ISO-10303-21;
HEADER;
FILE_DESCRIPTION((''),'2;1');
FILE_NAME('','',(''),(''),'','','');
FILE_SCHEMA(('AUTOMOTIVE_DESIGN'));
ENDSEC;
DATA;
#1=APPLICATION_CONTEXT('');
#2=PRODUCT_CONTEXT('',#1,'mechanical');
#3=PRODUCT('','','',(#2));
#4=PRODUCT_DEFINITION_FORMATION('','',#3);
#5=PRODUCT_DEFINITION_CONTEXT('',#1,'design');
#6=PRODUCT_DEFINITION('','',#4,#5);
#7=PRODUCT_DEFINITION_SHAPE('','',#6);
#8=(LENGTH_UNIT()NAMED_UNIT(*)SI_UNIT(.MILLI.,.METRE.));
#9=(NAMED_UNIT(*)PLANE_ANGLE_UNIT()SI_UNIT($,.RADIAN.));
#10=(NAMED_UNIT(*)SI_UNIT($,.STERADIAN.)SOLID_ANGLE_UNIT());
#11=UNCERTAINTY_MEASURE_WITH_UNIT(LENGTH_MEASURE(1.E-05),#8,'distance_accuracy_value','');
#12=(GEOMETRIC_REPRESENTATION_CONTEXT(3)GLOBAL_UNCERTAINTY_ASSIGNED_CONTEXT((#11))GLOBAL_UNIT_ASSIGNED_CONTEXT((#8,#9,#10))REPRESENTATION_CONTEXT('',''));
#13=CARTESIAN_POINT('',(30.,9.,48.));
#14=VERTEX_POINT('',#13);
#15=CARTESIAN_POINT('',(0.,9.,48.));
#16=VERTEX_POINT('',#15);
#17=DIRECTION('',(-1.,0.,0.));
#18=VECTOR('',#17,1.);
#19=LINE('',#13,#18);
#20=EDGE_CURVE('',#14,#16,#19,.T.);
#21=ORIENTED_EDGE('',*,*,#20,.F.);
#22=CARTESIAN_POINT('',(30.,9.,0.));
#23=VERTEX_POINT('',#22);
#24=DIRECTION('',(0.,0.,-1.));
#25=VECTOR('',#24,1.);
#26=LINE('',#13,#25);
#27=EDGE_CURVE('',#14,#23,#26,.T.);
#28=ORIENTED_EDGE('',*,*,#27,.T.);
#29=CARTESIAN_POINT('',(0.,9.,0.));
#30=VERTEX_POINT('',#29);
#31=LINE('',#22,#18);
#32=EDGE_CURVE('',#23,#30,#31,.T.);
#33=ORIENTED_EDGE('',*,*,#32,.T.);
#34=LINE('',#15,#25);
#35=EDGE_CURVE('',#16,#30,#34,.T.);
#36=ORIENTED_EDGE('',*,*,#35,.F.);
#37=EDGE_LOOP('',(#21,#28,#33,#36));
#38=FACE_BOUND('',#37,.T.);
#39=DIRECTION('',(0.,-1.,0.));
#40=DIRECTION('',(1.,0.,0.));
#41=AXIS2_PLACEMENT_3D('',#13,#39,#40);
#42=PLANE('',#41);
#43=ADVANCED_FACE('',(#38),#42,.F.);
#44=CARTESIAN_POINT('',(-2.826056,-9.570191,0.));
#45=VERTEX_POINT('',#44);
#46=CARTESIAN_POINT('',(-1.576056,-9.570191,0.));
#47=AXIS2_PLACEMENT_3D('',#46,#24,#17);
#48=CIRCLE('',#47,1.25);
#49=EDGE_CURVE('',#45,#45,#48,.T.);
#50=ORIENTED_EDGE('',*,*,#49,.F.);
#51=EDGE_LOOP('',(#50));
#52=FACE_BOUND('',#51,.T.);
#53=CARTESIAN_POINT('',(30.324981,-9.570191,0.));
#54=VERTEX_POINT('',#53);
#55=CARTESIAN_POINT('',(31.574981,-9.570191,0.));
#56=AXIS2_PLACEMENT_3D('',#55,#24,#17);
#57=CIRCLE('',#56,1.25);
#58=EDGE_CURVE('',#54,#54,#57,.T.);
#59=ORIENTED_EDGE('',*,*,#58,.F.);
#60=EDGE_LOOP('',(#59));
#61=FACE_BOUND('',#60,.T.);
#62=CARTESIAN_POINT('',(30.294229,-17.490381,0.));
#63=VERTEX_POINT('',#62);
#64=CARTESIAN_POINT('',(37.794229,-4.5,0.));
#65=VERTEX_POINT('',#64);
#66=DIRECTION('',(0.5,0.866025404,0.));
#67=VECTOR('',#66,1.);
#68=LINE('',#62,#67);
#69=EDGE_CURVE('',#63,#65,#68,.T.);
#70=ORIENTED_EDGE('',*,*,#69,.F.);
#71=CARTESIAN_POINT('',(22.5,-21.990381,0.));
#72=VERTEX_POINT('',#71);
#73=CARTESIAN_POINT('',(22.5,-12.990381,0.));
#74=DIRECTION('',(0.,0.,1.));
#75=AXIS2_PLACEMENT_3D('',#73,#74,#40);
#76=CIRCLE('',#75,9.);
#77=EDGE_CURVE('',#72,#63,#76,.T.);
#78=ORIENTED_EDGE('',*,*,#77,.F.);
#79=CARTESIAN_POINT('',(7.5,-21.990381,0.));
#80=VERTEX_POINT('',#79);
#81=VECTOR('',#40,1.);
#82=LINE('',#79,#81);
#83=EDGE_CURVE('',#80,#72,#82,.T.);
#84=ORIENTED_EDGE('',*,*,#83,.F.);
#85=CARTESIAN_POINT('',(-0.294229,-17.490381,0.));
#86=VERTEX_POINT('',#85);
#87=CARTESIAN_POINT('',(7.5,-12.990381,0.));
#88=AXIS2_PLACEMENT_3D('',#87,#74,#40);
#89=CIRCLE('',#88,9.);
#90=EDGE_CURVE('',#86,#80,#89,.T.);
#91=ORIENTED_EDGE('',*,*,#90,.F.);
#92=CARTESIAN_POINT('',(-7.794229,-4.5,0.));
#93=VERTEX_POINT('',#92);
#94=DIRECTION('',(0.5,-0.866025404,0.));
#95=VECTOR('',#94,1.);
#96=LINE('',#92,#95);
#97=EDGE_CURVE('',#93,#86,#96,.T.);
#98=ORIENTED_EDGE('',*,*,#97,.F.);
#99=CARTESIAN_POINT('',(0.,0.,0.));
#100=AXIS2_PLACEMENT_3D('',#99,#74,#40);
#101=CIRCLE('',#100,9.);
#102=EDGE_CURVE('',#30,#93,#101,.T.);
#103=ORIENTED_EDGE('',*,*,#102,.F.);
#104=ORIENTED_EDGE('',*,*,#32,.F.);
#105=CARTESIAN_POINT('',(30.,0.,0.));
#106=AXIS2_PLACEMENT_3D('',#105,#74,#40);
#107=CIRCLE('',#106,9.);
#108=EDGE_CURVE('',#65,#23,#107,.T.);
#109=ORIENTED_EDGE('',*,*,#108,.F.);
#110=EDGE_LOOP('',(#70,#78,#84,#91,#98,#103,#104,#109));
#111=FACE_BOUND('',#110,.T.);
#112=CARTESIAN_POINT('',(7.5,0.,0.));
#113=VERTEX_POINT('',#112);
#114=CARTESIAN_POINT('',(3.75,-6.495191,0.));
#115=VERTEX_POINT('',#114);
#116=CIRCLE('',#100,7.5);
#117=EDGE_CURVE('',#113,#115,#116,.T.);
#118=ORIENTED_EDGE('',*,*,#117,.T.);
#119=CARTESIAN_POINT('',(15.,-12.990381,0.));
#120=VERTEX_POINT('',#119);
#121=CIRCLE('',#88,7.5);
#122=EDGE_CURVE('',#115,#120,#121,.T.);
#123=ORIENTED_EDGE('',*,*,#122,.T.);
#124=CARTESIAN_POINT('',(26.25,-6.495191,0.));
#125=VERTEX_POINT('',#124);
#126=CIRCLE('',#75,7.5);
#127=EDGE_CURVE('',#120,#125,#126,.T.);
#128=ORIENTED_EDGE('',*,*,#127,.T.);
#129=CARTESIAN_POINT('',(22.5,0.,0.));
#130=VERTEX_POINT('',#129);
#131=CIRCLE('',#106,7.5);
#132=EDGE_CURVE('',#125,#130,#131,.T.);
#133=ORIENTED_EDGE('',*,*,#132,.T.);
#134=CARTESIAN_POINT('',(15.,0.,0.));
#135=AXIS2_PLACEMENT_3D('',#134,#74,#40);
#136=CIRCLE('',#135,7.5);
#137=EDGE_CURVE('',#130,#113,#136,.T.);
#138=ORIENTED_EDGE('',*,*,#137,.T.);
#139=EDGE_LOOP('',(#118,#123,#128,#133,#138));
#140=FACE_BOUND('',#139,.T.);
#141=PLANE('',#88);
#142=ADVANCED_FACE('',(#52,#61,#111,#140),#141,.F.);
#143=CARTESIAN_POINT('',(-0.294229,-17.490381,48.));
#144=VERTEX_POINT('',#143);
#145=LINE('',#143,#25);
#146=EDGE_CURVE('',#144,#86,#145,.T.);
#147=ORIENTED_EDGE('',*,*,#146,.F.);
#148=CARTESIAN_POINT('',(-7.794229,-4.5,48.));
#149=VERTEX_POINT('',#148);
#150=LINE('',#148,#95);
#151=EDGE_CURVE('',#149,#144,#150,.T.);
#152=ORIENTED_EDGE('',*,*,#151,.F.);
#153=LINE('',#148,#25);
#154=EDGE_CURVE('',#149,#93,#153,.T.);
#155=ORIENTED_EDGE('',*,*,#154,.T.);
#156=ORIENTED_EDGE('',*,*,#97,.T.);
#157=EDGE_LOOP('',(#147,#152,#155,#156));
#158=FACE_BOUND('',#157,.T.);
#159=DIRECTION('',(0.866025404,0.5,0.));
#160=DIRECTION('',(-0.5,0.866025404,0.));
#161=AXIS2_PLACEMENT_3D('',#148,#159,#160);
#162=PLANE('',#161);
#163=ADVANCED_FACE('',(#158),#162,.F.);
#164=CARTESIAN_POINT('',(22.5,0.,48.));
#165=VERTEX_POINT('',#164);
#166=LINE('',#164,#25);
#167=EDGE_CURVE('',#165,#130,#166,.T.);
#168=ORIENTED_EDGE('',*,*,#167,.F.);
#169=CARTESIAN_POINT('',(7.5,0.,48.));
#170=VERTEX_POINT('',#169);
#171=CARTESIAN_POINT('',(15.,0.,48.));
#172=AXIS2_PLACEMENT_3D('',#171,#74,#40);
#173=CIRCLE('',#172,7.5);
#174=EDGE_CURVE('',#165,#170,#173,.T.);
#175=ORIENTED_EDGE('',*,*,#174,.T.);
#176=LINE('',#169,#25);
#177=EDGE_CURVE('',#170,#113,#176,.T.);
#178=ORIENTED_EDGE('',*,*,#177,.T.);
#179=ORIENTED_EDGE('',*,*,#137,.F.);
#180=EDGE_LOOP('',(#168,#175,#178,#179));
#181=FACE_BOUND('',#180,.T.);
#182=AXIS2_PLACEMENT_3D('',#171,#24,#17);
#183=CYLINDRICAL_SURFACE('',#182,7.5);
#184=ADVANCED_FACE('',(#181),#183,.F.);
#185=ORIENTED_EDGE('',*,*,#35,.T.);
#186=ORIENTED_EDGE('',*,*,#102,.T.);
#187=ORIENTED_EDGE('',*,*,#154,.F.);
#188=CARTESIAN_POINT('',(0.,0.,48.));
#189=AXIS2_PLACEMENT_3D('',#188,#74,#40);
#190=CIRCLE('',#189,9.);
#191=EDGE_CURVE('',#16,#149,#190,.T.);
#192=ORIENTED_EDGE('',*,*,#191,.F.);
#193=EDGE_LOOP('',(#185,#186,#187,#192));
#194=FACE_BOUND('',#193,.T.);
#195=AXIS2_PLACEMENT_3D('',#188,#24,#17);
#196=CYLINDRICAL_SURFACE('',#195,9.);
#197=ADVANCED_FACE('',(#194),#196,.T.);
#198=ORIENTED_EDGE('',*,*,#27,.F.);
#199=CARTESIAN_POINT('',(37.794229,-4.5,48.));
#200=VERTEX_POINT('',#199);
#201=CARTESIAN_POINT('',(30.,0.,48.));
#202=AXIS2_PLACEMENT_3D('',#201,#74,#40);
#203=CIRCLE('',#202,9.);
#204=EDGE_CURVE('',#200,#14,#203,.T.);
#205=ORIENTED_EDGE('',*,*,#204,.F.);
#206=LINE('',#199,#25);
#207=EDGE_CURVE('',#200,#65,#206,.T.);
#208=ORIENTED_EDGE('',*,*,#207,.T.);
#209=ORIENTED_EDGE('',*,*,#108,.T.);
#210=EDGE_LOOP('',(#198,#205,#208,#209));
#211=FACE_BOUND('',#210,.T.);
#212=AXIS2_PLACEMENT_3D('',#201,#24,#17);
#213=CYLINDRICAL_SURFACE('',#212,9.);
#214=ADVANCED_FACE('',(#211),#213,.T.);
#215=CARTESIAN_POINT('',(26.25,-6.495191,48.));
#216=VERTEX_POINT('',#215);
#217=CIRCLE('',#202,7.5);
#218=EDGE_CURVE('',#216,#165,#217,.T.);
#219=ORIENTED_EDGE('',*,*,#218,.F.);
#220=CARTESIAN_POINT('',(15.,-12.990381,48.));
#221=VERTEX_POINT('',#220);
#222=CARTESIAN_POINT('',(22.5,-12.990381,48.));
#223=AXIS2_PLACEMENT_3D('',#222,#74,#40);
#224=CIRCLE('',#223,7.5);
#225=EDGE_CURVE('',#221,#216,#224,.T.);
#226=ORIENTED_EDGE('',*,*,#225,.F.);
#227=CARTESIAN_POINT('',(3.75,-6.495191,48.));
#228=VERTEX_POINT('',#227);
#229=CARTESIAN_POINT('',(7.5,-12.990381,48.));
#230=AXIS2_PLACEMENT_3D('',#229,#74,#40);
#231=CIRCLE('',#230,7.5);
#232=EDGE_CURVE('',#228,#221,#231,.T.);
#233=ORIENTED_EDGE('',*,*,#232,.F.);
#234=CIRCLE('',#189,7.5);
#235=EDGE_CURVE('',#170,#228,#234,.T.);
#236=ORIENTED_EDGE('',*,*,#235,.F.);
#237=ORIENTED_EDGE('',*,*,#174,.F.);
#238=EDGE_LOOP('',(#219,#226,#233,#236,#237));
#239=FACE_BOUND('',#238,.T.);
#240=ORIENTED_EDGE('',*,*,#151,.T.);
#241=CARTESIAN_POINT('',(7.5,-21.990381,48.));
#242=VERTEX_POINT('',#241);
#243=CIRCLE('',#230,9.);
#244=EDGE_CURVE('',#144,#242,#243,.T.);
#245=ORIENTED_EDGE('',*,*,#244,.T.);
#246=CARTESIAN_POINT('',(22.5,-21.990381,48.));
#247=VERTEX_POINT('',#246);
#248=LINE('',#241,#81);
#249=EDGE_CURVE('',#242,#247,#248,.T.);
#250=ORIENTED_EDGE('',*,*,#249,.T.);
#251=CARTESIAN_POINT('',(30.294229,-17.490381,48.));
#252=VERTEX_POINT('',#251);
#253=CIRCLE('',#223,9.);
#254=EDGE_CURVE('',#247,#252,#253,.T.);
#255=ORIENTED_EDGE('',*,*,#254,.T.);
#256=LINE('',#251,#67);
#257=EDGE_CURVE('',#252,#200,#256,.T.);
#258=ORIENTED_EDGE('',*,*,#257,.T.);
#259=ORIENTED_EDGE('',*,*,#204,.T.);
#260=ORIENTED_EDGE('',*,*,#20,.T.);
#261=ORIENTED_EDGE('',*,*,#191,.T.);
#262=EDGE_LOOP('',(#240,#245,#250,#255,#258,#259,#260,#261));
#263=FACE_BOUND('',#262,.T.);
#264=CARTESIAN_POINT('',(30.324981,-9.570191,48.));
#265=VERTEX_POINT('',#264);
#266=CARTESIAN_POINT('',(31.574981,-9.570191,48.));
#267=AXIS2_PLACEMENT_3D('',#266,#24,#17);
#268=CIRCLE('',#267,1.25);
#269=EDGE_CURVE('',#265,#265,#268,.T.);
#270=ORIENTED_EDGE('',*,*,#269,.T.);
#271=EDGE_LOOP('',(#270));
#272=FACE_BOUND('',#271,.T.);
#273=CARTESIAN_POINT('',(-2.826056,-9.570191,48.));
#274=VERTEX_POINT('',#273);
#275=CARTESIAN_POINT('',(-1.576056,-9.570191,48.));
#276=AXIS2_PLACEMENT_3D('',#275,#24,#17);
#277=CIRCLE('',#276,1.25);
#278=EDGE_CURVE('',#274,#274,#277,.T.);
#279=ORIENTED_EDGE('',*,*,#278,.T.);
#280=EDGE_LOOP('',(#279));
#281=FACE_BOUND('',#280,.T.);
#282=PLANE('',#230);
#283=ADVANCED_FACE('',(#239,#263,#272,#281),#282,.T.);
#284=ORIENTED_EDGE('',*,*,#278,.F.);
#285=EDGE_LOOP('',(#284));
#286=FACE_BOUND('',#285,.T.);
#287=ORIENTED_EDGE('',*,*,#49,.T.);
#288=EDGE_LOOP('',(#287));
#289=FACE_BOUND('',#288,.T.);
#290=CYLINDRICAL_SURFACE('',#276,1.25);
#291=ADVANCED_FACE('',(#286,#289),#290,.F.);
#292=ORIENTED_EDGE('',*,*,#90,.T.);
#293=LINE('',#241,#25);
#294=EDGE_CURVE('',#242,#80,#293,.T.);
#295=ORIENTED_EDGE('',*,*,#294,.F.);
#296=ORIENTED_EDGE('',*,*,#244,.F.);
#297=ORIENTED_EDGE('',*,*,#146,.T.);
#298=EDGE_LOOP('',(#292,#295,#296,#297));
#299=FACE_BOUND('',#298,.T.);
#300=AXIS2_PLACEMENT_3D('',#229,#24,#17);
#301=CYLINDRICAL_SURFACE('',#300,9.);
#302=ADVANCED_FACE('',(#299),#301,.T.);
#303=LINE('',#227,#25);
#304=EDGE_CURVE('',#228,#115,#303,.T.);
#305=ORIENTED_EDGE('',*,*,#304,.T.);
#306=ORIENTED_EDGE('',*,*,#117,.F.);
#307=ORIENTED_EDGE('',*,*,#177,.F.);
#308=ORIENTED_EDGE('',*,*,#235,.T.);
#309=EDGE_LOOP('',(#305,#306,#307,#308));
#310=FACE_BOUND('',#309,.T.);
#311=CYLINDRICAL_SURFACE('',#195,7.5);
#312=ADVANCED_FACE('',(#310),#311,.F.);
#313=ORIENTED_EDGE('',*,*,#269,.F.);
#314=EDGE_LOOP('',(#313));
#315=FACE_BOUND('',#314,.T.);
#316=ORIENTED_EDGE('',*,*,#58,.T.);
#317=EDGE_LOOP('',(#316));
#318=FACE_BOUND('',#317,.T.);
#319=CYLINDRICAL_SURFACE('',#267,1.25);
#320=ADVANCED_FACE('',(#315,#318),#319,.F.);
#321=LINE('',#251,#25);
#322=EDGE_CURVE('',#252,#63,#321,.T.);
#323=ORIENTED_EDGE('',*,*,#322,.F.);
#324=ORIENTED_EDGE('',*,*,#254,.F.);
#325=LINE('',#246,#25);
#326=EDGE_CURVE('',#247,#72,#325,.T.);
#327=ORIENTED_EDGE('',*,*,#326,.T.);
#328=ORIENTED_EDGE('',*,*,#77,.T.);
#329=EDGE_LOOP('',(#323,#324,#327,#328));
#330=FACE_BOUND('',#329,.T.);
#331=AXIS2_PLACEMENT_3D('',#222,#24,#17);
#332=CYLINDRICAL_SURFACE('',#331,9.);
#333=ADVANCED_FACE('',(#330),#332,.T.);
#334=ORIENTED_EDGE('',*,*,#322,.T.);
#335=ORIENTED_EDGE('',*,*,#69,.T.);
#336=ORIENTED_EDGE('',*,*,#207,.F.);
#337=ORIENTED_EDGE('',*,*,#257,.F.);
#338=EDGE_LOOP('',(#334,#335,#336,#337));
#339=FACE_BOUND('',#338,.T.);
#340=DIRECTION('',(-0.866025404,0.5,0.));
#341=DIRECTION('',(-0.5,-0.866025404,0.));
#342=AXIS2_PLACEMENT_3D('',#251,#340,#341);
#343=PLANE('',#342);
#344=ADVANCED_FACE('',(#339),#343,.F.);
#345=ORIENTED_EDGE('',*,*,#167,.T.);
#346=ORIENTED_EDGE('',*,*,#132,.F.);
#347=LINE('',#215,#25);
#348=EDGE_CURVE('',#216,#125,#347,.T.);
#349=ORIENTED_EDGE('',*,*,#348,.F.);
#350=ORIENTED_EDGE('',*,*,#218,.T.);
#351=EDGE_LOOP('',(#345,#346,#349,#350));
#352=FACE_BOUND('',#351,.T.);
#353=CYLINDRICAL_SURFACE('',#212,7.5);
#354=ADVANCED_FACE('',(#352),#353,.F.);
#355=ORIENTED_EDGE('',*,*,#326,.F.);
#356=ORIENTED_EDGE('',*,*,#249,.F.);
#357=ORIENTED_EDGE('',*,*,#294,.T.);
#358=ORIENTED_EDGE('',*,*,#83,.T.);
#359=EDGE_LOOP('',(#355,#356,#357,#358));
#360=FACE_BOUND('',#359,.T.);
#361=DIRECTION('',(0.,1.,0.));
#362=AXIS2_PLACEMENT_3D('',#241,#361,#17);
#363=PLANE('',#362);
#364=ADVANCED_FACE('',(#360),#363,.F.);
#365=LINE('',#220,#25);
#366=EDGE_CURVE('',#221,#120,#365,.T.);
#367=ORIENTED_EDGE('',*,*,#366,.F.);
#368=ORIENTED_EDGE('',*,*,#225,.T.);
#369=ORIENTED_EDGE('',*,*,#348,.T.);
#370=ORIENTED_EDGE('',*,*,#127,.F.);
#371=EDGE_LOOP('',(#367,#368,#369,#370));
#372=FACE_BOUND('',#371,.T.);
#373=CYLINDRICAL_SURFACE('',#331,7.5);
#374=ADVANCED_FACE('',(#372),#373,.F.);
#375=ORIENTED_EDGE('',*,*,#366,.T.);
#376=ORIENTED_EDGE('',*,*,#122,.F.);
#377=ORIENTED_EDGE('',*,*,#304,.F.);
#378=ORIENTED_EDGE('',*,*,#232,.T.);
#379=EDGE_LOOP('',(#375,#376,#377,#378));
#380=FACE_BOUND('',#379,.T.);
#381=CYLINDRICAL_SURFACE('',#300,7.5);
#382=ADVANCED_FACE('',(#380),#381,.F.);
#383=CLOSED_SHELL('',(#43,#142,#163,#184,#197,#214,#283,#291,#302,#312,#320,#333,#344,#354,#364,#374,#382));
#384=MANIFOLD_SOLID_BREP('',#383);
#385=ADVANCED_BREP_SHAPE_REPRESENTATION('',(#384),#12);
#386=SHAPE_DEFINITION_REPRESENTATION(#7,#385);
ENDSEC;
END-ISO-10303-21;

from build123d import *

# Parameters (mm, degrees)
BOSS_EXTRUDE1_DEPTH = 48
SKETCH2_R           = 1.25
CUT_EXTRUDE1_DEPTH  = 66.639750601


with BuildPart() as part:
    # Sketch1 → Boss-Extrude1 (new body)
    with BuildSketch(Plane.XY):
        with BuildLine():
            Line((7.5, -21.990381057), (22.5, -21.990381057))
            ThreePointArc((22.5, -21.990381057), (27, -20.784609691), (30.294228634, -17.490381057))
            Line((30.294228634, -17.490381057), (37.794228634, -4.5))
            ThreePointArc((37.794228634, -4.5), (37.794228634, 4.5), (30, 9))
            Line((30, 9), (0, 9))
            ThreePointArc((0, 9), (-7.794228634, 4.5), (-7.794228634, -4.5))
            Line((-7.794228634, -4.5), (-0.294228634, -17.490381057))
            ThreePointArc((-0.294228634, -17.490381057), (3, -20.784609691), (7.5, -21.990381057))
        make_face()
        with BuildLine():
            ThreePointArc((3.75, -6.495190528), (3.75, -19.485571585), (15, -12.990381057))
            ThreePointArc((15, -12.990381057), (26.25, -19.485571585), (26.25, -6.495190528))
            ThreePointArc((26.25, -6.495190528), (36.495190528, 3.75), (22.5, 0))
            ThreePointArc((22.5, 0), (15, 7.5), (7.5, 0))
            ThreePointArc((7.5, 0), (-6.495190528, 3.75), (3.75, -6.495190528))
        make_face(mode=Mode.SUBTRACT)
    extrude(amount=BOSS_EXTRUDE1_DEPTH)

    # Sketch2 → Cut-Extrude1 (cut, through all)
    with BuildSketch(Plane(origin=(0, 0, 0), x_dir=(-1, 0, 0), z_dir=(0, 0, -1))):
        with Locations((1.576056233, -9.570190528)):
            Circle(SKETCH2_R)
        with Locations((-31.574981029, -9.570190528)):
            Circle(SKETCH2_R)
    extrude(amount=-CUT_EXTRUDE1_DEPTH, mode=Mode.SUBTRACT)


solid = part.part
